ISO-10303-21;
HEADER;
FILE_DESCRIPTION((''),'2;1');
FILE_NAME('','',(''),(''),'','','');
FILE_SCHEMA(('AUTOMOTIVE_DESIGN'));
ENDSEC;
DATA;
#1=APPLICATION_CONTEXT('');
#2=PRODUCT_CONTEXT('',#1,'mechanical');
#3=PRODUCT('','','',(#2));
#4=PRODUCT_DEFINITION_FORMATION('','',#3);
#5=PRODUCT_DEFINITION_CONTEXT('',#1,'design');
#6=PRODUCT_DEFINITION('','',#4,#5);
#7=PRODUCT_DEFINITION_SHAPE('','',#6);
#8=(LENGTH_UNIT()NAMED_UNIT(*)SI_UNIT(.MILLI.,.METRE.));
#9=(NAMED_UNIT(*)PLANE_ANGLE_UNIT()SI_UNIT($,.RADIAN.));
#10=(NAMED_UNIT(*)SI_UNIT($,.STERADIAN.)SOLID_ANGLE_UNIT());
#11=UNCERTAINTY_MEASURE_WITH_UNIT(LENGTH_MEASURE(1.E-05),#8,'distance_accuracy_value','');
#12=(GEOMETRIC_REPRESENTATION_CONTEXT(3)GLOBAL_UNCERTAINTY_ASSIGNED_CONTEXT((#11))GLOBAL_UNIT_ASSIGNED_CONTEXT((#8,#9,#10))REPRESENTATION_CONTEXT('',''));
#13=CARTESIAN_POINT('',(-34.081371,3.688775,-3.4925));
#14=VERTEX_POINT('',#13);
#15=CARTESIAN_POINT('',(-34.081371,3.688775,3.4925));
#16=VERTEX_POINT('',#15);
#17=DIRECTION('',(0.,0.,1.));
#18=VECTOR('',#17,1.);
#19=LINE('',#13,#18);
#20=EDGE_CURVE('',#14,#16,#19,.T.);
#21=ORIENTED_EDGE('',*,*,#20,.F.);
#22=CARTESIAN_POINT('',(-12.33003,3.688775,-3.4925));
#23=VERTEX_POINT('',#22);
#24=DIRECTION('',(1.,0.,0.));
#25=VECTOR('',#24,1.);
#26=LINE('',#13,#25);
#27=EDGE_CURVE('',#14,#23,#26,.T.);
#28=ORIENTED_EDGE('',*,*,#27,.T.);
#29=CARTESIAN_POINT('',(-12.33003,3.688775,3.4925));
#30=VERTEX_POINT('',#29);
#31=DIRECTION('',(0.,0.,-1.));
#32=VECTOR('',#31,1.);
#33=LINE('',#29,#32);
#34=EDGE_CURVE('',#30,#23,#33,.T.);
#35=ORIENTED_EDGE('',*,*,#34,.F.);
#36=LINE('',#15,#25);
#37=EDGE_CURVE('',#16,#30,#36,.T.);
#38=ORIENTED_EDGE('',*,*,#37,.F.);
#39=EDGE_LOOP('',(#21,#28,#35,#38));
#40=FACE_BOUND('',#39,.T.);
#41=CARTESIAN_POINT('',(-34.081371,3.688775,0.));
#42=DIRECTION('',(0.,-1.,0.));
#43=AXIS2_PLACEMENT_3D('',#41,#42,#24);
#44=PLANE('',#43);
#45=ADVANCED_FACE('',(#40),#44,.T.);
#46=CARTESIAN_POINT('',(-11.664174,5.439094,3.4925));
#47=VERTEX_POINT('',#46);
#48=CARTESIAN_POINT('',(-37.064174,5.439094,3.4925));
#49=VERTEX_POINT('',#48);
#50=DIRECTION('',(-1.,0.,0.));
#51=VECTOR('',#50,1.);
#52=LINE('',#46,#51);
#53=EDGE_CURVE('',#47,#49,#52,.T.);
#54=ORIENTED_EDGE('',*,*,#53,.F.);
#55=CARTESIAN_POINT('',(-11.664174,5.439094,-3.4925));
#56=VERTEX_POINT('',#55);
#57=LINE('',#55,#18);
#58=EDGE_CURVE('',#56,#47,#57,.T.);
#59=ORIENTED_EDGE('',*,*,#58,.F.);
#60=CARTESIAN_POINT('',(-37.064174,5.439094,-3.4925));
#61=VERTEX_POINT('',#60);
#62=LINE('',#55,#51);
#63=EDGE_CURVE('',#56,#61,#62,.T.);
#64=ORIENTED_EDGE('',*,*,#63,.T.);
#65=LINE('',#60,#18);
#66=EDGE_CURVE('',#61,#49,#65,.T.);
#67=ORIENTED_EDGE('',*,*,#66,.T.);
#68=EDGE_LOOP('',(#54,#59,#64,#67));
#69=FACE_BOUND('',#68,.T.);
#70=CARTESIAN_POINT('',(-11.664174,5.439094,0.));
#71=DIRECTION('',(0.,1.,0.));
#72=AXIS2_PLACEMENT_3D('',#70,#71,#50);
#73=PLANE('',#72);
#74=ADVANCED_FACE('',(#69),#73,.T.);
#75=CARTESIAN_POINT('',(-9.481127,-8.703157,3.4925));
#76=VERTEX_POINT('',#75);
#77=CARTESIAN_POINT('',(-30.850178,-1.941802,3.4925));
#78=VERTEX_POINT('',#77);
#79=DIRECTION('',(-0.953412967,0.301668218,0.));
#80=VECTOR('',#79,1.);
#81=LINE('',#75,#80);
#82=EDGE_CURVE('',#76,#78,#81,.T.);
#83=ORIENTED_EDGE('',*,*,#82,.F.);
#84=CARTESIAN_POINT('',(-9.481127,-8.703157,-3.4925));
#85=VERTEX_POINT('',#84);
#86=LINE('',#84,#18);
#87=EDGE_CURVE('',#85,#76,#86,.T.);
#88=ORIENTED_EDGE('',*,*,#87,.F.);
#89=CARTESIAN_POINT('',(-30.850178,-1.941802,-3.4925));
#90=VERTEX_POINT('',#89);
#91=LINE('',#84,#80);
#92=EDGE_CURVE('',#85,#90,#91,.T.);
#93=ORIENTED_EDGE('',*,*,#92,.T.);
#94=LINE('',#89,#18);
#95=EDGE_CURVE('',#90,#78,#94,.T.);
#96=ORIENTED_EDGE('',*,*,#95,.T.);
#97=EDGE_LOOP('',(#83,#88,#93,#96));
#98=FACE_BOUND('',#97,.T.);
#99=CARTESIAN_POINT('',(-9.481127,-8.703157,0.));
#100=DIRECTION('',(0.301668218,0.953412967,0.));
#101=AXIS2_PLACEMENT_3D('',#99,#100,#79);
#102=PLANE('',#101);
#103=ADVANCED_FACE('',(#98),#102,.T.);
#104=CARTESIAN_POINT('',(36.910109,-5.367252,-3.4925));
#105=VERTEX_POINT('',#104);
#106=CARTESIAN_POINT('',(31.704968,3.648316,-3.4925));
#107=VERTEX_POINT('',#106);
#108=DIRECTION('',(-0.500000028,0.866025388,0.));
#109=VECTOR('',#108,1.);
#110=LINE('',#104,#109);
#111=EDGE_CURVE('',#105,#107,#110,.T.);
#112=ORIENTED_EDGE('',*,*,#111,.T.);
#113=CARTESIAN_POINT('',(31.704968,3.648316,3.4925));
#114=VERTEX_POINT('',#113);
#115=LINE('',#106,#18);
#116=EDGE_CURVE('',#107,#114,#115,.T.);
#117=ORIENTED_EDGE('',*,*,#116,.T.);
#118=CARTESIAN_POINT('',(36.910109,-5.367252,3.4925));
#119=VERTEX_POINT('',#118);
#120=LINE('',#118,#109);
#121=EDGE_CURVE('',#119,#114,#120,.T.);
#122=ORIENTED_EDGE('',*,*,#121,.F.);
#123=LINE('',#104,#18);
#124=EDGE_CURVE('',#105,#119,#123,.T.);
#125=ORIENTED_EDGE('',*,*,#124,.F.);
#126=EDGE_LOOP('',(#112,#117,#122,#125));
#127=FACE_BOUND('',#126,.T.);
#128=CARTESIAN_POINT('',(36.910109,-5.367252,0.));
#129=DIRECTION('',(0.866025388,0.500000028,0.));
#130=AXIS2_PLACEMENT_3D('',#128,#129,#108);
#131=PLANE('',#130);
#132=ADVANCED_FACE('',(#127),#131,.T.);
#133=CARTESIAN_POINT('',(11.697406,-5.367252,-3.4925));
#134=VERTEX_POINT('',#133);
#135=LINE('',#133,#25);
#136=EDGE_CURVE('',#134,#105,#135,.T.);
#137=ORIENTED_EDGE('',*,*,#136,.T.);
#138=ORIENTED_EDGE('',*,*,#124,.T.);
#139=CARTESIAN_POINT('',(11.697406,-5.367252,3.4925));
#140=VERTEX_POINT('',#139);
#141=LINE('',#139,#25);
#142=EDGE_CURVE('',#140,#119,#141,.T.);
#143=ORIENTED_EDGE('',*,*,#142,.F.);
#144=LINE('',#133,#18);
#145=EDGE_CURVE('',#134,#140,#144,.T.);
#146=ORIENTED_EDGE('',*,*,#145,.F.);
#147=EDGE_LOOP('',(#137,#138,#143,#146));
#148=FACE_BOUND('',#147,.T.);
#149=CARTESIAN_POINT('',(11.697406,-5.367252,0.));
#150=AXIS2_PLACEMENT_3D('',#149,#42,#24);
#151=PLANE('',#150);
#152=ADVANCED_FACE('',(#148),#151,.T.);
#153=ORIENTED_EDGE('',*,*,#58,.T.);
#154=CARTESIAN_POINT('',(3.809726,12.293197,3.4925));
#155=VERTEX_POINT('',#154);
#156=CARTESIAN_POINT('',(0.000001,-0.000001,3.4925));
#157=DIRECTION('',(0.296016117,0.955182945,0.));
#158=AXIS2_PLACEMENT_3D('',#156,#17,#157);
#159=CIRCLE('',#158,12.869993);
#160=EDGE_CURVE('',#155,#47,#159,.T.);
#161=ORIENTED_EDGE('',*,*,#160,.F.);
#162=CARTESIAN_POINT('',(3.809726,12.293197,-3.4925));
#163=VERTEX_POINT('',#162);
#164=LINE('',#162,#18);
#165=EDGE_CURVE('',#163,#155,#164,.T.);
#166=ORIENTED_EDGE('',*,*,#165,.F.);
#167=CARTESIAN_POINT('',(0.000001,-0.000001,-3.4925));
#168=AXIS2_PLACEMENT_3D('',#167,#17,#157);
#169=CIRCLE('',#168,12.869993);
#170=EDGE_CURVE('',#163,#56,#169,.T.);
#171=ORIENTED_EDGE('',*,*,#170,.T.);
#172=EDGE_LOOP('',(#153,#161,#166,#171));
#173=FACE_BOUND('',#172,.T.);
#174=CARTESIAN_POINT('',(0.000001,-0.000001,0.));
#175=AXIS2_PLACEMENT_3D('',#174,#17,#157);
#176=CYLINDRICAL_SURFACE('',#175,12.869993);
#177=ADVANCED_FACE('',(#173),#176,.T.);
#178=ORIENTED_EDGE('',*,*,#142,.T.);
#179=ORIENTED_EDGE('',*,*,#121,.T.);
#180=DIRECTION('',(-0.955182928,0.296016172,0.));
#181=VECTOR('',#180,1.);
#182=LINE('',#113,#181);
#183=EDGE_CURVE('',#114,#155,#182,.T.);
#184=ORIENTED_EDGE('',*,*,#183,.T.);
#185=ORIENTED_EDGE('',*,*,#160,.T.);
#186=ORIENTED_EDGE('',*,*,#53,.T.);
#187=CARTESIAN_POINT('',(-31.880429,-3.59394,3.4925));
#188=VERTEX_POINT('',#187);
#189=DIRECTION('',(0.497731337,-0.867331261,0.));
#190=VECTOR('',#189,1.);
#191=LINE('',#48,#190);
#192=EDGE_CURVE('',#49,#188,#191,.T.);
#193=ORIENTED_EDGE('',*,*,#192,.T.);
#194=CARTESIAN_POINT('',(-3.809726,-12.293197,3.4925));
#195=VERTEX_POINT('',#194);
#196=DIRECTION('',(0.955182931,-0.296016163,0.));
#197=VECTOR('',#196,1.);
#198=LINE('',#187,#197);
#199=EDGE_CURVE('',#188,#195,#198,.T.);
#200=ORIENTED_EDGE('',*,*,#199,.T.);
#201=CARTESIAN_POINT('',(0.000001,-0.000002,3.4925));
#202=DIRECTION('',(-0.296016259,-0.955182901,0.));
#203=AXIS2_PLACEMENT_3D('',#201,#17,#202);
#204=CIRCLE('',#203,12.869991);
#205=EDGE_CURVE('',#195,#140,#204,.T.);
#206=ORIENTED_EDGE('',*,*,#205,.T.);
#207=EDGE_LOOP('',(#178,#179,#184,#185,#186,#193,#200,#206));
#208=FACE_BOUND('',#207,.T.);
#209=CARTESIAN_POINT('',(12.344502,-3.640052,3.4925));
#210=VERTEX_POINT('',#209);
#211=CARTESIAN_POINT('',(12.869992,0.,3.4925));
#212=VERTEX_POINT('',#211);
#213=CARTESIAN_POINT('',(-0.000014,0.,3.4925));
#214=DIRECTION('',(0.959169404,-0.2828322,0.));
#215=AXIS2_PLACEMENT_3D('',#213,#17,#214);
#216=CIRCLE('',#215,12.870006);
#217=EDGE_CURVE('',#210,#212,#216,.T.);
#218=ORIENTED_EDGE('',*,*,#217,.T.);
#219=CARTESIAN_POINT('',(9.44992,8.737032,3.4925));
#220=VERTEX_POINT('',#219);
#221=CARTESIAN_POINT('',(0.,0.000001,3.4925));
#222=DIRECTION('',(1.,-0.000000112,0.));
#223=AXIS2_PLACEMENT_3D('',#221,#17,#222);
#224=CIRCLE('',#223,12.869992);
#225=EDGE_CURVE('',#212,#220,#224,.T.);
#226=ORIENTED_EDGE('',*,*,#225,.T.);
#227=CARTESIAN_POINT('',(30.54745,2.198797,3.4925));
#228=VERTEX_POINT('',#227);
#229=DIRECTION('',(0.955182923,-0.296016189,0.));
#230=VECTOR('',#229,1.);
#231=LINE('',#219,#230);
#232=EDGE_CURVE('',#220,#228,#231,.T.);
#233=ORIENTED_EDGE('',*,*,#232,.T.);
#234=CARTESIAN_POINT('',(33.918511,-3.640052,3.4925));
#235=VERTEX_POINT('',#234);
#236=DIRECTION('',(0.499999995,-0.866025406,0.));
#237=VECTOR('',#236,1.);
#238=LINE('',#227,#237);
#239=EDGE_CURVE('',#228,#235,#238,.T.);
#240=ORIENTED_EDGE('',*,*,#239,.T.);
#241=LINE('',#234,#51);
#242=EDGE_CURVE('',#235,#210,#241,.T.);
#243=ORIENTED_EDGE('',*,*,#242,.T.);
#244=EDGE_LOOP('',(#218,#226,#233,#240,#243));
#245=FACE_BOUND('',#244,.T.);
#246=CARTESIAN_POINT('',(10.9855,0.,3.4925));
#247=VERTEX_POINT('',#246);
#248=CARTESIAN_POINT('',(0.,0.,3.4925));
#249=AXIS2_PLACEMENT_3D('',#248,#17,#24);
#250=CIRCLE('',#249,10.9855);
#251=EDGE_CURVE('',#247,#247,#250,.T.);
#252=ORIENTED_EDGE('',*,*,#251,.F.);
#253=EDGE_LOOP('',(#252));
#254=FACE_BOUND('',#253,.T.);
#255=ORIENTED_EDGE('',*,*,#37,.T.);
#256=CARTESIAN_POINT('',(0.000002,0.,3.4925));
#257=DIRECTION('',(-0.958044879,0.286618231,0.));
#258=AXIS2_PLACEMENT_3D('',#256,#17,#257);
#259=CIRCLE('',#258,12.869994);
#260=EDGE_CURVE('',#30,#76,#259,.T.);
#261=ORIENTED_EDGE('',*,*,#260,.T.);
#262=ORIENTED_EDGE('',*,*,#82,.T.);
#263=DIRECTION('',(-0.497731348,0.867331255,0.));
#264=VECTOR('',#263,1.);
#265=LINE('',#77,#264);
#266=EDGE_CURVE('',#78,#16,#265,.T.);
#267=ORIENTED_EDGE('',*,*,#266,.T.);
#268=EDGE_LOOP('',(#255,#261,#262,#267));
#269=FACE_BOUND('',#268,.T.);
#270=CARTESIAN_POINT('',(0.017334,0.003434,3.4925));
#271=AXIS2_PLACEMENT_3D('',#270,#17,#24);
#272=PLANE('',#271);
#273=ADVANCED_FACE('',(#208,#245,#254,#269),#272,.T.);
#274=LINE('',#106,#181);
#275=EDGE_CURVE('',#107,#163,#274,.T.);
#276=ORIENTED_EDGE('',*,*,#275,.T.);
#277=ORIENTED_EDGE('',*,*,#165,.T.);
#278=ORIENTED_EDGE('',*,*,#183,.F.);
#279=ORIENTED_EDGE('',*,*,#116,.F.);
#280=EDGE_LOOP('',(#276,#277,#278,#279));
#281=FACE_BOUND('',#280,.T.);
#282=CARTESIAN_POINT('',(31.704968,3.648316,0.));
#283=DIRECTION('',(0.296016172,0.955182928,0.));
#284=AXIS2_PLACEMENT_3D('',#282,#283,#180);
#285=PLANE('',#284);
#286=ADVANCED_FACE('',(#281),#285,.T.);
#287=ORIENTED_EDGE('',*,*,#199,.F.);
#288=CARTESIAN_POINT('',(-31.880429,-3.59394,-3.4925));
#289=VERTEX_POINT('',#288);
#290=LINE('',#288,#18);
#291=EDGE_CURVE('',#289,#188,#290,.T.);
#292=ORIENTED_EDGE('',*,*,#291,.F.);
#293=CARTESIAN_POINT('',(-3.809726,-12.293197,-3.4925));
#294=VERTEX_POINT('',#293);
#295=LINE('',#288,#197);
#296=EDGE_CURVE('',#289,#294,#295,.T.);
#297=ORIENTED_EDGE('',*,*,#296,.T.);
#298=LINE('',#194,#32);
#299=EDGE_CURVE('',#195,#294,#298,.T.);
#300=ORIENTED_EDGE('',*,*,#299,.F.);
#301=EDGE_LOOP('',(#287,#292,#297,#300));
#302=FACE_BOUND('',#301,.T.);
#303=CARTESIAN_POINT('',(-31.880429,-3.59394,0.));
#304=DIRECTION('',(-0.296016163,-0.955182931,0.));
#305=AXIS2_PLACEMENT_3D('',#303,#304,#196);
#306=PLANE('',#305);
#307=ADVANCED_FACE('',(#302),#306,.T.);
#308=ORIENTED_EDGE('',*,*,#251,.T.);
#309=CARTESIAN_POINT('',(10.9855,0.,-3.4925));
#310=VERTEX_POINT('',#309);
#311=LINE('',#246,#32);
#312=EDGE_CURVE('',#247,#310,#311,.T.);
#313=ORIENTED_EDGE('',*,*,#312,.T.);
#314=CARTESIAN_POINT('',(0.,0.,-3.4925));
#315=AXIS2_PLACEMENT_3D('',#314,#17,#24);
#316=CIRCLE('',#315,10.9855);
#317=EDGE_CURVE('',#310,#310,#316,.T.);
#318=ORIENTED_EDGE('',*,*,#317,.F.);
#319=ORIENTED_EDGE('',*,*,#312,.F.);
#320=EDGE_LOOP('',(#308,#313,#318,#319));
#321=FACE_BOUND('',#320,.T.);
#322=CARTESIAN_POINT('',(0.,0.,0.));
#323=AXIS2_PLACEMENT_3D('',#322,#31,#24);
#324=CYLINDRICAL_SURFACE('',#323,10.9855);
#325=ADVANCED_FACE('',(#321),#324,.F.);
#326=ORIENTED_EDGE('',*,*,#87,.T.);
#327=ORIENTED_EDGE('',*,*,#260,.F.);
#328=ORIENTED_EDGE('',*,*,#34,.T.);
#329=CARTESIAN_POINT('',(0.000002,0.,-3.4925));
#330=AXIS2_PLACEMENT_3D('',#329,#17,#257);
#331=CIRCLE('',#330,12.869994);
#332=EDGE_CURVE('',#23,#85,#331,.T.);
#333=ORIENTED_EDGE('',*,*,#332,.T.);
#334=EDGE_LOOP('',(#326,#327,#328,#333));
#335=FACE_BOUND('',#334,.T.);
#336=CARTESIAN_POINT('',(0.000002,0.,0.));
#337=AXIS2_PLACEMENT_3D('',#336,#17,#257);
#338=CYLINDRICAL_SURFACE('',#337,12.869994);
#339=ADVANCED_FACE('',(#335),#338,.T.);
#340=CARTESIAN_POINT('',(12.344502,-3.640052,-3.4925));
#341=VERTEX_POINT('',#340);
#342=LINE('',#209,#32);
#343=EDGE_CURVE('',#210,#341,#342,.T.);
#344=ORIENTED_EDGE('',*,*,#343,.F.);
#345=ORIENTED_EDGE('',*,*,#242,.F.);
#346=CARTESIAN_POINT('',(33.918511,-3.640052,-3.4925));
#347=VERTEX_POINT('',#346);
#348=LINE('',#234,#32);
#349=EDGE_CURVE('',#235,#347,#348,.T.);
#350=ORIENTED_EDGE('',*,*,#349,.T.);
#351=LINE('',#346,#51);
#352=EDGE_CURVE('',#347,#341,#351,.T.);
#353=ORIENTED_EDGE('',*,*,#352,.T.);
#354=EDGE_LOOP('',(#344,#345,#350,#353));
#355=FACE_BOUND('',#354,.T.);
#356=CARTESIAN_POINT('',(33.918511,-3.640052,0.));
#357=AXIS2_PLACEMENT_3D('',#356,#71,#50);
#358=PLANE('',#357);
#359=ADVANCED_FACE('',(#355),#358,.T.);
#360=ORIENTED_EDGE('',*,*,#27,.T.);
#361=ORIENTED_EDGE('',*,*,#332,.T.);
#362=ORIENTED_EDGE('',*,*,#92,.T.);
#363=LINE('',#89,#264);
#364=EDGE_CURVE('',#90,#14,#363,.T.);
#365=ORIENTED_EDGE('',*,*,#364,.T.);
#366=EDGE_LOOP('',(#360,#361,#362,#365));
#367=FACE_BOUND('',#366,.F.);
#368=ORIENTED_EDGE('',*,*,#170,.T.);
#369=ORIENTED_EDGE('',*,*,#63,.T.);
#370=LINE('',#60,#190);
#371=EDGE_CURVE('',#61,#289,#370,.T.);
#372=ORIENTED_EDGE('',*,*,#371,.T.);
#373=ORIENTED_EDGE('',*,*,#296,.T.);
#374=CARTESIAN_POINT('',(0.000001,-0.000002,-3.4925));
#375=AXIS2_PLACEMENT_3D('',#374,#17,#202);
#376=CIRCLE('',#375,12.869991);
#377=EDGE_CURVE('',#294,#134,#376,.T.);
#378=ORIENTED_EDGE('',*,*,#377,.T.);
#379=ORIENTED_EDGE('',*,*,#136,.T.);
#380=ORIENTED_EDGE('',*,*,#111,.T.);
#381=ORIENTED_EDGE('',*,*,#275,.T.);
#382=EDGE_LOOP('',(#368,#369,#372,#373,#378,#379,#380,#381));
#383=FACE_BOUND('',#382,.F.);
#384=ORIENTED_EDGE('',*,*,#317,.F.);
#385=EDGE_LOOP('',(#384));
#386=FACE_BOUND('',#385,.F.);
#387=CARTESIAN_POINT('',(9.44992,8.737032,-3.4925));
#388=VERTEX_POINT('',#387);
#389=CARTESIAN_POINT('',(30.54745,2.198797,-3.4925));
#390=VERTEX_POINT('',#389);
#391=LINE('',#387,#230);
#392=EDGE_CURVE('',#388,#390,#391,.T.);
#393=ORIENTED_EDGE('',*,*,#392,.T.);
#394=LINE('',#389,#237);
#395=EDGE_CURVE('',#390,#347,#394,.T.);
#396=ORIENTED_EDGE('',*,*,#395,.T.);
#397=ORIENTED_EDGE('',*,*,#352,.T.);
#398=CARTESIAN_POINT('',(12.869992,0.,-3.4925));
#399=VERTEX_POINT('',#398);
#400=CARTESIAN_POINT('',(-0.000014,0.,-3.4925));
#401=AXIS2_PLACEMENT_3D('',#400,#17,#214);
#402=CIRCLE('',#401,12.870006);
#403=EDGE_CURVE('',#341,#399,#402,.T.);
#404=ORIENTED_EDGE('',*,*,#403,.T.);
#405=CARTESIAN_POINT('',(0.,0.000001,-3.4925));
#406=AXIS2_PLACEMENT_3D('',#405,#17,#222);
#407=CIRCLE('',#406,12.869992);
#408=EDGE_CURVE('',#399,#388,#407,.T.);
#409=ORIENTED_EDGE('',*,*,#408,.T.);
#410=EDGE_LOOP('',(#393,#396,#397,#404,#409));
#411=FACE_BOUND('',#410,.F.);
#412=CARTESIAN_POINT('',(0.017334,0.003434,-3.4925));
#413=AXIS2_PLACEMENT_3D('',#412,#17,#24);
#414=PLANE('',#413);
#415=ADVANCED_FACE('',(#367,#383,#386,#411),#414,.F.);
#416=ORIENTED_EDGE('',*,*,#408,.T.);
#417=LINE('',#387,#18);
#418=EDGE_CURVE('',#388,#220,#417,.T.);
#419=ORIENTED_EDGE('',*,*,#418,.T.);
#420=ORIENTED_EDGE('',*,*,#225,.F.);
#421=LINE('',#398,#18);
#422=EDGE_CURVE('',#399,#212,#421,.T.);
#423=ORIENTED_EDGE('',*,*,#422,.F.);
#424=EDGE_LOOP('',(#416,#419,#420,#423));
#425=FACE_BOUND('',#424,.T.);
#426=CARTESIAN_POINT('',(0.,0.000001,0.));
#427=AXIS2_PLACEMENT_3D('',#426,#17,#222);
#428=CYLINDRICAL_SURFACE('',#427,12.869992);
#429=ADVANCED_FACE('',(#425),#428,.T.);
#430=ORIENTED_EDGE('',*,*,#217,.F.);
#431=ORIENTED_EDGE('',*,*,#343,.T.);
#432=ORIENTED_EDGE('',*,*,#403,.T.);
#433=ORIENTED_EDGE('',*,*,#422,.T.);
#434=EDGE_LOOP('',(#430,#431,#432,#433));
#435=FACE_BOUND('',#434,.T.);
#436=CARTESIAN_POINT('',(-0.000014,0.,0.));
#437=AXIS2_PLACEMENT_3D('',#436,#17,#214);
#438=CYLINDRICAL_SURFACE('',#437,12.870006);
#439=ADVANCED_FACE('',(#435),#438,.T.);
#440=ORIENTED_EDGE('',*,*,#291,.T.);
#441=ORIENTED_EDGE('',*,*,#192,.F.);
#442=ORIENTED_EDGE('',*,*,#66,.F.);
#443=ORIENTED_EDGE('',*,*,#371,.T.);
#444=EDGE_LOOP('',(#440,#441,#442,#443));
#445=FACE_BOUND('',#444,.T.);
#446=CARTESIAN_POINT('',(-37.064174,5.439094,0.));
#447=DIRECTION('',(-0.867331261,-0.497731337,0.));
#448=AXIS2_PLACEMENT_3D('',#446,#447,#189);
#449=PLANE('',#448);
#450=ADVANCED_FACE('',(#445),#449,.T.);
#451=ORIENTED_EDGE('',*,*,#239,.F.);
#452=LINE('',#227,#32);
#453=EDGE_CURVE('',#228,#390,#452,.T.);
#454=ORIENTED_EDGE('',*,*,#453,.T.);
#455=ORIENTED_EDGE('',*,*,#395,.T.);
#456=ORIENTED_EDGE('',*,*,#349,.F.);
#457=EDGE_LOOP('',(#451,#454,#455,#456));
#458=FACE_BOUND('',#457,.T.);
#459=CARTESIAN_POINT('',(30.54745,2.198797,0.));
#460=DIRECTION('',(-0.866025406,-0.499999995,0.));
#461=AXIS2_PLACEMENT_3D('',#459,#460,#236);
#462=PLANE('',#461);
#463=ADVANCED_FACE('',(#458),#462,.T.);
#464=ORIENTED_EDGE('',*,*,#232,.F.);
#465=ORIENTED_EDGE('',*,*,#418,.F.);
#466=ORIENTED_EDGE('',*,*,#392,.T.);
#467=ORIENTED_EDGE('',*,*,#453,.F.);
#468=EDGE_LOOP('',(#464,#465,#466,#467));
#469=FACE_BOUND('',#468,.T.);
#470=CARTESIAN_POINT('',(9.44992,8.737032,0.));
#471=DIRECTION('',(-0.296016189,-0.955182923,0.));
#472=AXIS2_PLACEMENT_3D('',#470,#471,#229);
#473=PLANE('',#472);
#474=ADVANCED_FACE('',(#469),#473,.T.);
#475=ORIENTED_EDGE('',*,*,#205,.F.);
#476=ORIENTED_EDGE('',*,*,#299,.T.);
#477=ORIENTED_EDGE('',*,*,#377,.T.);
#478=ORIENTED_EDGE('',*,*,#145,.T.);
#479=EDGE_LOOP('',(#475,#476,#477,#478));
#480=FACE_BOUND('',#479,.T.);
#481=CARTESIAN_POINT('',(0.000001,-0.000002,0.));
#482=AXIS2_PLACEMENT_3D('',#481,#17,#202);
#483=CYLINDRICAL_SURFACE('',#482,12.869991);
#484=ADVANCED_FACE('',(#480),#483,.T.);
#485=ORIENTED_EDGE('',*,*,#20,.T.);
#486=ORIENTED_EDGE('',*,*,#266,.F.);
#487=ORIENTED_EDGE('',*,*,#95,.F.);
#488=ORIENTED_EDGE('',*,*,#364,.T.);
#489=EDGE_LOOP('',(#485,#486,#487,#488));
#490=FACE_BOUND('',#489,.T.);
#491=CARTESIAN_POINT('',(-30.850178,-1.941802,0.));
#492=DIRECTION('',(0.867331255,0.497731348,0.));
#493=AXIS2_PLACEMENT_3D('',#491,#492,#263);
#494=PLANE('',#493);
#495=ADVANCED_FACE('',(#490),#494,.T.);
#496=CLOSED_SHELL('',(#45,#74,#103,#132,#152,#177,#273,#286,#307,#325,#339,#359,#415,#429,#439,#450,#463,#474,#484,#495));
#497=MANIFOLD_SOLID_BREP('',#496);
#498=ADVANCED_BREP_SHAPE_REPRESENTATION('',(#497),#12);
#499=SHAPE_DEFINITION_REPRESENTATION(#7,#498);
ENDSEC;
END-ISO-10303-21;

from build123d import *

# Parameters (mm, degrees)
F0_R     = 10.9855
F1_DEPTH = 3.4925


with BuildPart() as f1:
    # F0 (on Top) → F1 (new body, symmetric)
    with BuildSketch(Plane.XY):
        with BuildLine():
            ThreePointArc((12.344502, -3.640052), (12.737942, -1.838894), (12.869992, 0))
            ThreePointArc((12.869992, 0), (11.984513, 4.691285), (9.44992, 8.737032))
            ThreePointArc((9.44992, 8.737032), (6.864119, 10.886716), (3.809726, 12.293197))
            ThreePointArc((3.809726, 12.293197), (-5.212271, 11.767282), (-11.664174, 5.439094))
            ThreePointArc((-11.664174, 5.439094), (-12.02898, 4.576061), (-12.33003, 3.688775))
            ThreePointArc((-12.33003, 3.688775), (-12.542792, -2.883586), (-9.481127, -8.703157))
            ThreePointArc((-9.481127, -8.703157), (-6.883588, -10.874416), (-3.809726, -12.293197))
            ThreePointArc((-3.809726, -12.293197), (5.248434, -11.751198), (11.697406, -5.367252))
            ThreePointArc((11.697406, -5.367252), (12.051935, -4.515259), (12.344502, -3.640052))
        make_face()
        Circle(F0_R, mode=Mode.SUBTRACT)
        with BuildLine():
            ThreePointArc((3.809726, 12.293197), (6.864119, 10.886716), (9.44992, 8.737032))
            Line((9.44992, 8.737032), (30.54745, 2.198797))
            Line((30.54745, 2.198797), (33.918511, -3.640052))
            Line((33.918511, -3.640052), (12.344502, -3.640052))
            ThreePointArc((12.344502, -3.640052), (12.051935, -4.515259), (11.697406, -5.367252))
            Line((11.697406, -5.367252), (36.910109, -5.367252))
            Line((36.910109, -5.367252), (31.704968, 3.648316))
            Line((31.704968, 3.648316), (3.809726, 12.293197))
        make_face()
        with BuildLine():
            ThreePointArc((-12.33003, 3.688775), (-12.02898, 4.576061), (-11.664174, 5.439094))
            Line((-11.664174, 5.439094), (-37.064174, 5.439094))
            Line((-37.064174, 5.439094), (-31.880429, -3.59394))
            Line((-31.880429, -3.59394), (-3.809726, -12.293197))
            ThreePointArc((-3.809726, -12.293197), (-6.883588, -10.874416), (-9.481127, -8.703157))
            Line((-9.481127, -8.703157), (-30.850178, -1.941802))
            Line((-30.850178, -1.941802), (-34.081371, 3.688775))
            Line((-34.081371, 3.688775), (-12.33003, 3.688775))
        make_face()
    extrude(amount=F1_DEPTH, both=True)


solid = f1.part
